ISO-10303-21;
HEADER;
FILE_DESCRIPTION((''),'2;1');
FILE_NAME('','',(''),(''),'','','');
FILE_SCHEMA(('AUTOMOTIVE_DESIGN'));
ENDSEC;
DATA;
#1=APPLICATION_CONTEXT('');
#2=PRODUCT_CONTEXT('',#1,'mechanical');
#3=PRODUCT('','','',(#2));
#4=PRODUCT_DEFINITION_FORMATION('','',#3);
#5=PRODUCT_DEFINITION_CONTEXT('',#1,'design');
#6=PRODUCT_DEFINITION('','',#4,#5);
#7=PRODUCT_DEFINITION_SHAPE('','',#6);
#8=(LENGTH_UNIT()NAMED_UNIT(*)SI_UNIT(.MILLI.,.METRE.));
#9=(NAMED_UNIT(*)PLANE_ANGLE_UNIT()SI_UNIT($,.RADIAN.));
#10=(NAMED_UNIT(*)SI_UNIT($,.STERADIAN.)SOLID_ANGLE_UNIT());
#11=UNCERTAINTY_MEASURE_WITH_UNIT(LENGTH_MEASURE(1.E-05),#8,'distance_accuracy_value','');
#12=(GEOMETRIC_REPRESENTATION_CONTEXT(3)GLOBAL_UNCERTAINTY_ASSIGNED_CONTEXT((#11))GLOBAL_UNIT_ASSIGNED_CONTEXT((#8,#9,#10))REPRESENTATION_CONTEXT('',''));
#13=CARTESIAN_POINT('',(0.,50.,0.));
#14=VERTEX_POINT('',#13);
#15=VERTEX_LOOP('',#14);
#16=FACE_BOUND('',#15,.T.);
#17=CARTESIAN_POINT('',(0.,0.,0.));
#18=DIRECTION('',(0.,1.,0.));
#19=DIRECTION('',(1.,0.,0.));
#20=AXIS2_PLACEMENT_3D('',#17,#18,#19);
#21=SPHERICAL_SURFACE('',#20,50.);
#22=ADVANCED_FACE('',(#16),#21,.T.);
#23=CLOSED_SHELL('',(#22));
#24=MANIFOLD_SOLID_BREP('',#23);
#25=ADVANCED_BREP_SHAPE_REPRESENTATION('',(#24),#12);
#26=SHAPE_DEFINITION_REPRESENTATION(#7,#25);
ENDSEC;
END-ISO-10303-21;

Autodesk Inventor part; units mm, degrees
ref_plane "YZ Plane" through (0, 0, 0) normal (1, 0, 0) x (0, 1, 0)
ref_plane "XZ Plane" through (0, 0, 0) normal (0, 1, 0) x (-1, 0, 0)
ref_plane "XY Plane" through (0, 0, 0) normal (0, 0, 1) x (1, 0, 0)
sketch "Sketch1" plane through (0, 0, 0) normal (0, 0, 1) x (1, 0, 0)
  arc A0 (0, -50) -> (0, 50) centre (0, 0) ccw
  line L0 (0, -70) -> (0, 70) projected
  dimension "d0" = 100
revolve "Revolution1" add sketch "Sketch1" angle 360 about axis through (0, -10, 0) along (0, 1, 0)
properties part number "1_esfera"
